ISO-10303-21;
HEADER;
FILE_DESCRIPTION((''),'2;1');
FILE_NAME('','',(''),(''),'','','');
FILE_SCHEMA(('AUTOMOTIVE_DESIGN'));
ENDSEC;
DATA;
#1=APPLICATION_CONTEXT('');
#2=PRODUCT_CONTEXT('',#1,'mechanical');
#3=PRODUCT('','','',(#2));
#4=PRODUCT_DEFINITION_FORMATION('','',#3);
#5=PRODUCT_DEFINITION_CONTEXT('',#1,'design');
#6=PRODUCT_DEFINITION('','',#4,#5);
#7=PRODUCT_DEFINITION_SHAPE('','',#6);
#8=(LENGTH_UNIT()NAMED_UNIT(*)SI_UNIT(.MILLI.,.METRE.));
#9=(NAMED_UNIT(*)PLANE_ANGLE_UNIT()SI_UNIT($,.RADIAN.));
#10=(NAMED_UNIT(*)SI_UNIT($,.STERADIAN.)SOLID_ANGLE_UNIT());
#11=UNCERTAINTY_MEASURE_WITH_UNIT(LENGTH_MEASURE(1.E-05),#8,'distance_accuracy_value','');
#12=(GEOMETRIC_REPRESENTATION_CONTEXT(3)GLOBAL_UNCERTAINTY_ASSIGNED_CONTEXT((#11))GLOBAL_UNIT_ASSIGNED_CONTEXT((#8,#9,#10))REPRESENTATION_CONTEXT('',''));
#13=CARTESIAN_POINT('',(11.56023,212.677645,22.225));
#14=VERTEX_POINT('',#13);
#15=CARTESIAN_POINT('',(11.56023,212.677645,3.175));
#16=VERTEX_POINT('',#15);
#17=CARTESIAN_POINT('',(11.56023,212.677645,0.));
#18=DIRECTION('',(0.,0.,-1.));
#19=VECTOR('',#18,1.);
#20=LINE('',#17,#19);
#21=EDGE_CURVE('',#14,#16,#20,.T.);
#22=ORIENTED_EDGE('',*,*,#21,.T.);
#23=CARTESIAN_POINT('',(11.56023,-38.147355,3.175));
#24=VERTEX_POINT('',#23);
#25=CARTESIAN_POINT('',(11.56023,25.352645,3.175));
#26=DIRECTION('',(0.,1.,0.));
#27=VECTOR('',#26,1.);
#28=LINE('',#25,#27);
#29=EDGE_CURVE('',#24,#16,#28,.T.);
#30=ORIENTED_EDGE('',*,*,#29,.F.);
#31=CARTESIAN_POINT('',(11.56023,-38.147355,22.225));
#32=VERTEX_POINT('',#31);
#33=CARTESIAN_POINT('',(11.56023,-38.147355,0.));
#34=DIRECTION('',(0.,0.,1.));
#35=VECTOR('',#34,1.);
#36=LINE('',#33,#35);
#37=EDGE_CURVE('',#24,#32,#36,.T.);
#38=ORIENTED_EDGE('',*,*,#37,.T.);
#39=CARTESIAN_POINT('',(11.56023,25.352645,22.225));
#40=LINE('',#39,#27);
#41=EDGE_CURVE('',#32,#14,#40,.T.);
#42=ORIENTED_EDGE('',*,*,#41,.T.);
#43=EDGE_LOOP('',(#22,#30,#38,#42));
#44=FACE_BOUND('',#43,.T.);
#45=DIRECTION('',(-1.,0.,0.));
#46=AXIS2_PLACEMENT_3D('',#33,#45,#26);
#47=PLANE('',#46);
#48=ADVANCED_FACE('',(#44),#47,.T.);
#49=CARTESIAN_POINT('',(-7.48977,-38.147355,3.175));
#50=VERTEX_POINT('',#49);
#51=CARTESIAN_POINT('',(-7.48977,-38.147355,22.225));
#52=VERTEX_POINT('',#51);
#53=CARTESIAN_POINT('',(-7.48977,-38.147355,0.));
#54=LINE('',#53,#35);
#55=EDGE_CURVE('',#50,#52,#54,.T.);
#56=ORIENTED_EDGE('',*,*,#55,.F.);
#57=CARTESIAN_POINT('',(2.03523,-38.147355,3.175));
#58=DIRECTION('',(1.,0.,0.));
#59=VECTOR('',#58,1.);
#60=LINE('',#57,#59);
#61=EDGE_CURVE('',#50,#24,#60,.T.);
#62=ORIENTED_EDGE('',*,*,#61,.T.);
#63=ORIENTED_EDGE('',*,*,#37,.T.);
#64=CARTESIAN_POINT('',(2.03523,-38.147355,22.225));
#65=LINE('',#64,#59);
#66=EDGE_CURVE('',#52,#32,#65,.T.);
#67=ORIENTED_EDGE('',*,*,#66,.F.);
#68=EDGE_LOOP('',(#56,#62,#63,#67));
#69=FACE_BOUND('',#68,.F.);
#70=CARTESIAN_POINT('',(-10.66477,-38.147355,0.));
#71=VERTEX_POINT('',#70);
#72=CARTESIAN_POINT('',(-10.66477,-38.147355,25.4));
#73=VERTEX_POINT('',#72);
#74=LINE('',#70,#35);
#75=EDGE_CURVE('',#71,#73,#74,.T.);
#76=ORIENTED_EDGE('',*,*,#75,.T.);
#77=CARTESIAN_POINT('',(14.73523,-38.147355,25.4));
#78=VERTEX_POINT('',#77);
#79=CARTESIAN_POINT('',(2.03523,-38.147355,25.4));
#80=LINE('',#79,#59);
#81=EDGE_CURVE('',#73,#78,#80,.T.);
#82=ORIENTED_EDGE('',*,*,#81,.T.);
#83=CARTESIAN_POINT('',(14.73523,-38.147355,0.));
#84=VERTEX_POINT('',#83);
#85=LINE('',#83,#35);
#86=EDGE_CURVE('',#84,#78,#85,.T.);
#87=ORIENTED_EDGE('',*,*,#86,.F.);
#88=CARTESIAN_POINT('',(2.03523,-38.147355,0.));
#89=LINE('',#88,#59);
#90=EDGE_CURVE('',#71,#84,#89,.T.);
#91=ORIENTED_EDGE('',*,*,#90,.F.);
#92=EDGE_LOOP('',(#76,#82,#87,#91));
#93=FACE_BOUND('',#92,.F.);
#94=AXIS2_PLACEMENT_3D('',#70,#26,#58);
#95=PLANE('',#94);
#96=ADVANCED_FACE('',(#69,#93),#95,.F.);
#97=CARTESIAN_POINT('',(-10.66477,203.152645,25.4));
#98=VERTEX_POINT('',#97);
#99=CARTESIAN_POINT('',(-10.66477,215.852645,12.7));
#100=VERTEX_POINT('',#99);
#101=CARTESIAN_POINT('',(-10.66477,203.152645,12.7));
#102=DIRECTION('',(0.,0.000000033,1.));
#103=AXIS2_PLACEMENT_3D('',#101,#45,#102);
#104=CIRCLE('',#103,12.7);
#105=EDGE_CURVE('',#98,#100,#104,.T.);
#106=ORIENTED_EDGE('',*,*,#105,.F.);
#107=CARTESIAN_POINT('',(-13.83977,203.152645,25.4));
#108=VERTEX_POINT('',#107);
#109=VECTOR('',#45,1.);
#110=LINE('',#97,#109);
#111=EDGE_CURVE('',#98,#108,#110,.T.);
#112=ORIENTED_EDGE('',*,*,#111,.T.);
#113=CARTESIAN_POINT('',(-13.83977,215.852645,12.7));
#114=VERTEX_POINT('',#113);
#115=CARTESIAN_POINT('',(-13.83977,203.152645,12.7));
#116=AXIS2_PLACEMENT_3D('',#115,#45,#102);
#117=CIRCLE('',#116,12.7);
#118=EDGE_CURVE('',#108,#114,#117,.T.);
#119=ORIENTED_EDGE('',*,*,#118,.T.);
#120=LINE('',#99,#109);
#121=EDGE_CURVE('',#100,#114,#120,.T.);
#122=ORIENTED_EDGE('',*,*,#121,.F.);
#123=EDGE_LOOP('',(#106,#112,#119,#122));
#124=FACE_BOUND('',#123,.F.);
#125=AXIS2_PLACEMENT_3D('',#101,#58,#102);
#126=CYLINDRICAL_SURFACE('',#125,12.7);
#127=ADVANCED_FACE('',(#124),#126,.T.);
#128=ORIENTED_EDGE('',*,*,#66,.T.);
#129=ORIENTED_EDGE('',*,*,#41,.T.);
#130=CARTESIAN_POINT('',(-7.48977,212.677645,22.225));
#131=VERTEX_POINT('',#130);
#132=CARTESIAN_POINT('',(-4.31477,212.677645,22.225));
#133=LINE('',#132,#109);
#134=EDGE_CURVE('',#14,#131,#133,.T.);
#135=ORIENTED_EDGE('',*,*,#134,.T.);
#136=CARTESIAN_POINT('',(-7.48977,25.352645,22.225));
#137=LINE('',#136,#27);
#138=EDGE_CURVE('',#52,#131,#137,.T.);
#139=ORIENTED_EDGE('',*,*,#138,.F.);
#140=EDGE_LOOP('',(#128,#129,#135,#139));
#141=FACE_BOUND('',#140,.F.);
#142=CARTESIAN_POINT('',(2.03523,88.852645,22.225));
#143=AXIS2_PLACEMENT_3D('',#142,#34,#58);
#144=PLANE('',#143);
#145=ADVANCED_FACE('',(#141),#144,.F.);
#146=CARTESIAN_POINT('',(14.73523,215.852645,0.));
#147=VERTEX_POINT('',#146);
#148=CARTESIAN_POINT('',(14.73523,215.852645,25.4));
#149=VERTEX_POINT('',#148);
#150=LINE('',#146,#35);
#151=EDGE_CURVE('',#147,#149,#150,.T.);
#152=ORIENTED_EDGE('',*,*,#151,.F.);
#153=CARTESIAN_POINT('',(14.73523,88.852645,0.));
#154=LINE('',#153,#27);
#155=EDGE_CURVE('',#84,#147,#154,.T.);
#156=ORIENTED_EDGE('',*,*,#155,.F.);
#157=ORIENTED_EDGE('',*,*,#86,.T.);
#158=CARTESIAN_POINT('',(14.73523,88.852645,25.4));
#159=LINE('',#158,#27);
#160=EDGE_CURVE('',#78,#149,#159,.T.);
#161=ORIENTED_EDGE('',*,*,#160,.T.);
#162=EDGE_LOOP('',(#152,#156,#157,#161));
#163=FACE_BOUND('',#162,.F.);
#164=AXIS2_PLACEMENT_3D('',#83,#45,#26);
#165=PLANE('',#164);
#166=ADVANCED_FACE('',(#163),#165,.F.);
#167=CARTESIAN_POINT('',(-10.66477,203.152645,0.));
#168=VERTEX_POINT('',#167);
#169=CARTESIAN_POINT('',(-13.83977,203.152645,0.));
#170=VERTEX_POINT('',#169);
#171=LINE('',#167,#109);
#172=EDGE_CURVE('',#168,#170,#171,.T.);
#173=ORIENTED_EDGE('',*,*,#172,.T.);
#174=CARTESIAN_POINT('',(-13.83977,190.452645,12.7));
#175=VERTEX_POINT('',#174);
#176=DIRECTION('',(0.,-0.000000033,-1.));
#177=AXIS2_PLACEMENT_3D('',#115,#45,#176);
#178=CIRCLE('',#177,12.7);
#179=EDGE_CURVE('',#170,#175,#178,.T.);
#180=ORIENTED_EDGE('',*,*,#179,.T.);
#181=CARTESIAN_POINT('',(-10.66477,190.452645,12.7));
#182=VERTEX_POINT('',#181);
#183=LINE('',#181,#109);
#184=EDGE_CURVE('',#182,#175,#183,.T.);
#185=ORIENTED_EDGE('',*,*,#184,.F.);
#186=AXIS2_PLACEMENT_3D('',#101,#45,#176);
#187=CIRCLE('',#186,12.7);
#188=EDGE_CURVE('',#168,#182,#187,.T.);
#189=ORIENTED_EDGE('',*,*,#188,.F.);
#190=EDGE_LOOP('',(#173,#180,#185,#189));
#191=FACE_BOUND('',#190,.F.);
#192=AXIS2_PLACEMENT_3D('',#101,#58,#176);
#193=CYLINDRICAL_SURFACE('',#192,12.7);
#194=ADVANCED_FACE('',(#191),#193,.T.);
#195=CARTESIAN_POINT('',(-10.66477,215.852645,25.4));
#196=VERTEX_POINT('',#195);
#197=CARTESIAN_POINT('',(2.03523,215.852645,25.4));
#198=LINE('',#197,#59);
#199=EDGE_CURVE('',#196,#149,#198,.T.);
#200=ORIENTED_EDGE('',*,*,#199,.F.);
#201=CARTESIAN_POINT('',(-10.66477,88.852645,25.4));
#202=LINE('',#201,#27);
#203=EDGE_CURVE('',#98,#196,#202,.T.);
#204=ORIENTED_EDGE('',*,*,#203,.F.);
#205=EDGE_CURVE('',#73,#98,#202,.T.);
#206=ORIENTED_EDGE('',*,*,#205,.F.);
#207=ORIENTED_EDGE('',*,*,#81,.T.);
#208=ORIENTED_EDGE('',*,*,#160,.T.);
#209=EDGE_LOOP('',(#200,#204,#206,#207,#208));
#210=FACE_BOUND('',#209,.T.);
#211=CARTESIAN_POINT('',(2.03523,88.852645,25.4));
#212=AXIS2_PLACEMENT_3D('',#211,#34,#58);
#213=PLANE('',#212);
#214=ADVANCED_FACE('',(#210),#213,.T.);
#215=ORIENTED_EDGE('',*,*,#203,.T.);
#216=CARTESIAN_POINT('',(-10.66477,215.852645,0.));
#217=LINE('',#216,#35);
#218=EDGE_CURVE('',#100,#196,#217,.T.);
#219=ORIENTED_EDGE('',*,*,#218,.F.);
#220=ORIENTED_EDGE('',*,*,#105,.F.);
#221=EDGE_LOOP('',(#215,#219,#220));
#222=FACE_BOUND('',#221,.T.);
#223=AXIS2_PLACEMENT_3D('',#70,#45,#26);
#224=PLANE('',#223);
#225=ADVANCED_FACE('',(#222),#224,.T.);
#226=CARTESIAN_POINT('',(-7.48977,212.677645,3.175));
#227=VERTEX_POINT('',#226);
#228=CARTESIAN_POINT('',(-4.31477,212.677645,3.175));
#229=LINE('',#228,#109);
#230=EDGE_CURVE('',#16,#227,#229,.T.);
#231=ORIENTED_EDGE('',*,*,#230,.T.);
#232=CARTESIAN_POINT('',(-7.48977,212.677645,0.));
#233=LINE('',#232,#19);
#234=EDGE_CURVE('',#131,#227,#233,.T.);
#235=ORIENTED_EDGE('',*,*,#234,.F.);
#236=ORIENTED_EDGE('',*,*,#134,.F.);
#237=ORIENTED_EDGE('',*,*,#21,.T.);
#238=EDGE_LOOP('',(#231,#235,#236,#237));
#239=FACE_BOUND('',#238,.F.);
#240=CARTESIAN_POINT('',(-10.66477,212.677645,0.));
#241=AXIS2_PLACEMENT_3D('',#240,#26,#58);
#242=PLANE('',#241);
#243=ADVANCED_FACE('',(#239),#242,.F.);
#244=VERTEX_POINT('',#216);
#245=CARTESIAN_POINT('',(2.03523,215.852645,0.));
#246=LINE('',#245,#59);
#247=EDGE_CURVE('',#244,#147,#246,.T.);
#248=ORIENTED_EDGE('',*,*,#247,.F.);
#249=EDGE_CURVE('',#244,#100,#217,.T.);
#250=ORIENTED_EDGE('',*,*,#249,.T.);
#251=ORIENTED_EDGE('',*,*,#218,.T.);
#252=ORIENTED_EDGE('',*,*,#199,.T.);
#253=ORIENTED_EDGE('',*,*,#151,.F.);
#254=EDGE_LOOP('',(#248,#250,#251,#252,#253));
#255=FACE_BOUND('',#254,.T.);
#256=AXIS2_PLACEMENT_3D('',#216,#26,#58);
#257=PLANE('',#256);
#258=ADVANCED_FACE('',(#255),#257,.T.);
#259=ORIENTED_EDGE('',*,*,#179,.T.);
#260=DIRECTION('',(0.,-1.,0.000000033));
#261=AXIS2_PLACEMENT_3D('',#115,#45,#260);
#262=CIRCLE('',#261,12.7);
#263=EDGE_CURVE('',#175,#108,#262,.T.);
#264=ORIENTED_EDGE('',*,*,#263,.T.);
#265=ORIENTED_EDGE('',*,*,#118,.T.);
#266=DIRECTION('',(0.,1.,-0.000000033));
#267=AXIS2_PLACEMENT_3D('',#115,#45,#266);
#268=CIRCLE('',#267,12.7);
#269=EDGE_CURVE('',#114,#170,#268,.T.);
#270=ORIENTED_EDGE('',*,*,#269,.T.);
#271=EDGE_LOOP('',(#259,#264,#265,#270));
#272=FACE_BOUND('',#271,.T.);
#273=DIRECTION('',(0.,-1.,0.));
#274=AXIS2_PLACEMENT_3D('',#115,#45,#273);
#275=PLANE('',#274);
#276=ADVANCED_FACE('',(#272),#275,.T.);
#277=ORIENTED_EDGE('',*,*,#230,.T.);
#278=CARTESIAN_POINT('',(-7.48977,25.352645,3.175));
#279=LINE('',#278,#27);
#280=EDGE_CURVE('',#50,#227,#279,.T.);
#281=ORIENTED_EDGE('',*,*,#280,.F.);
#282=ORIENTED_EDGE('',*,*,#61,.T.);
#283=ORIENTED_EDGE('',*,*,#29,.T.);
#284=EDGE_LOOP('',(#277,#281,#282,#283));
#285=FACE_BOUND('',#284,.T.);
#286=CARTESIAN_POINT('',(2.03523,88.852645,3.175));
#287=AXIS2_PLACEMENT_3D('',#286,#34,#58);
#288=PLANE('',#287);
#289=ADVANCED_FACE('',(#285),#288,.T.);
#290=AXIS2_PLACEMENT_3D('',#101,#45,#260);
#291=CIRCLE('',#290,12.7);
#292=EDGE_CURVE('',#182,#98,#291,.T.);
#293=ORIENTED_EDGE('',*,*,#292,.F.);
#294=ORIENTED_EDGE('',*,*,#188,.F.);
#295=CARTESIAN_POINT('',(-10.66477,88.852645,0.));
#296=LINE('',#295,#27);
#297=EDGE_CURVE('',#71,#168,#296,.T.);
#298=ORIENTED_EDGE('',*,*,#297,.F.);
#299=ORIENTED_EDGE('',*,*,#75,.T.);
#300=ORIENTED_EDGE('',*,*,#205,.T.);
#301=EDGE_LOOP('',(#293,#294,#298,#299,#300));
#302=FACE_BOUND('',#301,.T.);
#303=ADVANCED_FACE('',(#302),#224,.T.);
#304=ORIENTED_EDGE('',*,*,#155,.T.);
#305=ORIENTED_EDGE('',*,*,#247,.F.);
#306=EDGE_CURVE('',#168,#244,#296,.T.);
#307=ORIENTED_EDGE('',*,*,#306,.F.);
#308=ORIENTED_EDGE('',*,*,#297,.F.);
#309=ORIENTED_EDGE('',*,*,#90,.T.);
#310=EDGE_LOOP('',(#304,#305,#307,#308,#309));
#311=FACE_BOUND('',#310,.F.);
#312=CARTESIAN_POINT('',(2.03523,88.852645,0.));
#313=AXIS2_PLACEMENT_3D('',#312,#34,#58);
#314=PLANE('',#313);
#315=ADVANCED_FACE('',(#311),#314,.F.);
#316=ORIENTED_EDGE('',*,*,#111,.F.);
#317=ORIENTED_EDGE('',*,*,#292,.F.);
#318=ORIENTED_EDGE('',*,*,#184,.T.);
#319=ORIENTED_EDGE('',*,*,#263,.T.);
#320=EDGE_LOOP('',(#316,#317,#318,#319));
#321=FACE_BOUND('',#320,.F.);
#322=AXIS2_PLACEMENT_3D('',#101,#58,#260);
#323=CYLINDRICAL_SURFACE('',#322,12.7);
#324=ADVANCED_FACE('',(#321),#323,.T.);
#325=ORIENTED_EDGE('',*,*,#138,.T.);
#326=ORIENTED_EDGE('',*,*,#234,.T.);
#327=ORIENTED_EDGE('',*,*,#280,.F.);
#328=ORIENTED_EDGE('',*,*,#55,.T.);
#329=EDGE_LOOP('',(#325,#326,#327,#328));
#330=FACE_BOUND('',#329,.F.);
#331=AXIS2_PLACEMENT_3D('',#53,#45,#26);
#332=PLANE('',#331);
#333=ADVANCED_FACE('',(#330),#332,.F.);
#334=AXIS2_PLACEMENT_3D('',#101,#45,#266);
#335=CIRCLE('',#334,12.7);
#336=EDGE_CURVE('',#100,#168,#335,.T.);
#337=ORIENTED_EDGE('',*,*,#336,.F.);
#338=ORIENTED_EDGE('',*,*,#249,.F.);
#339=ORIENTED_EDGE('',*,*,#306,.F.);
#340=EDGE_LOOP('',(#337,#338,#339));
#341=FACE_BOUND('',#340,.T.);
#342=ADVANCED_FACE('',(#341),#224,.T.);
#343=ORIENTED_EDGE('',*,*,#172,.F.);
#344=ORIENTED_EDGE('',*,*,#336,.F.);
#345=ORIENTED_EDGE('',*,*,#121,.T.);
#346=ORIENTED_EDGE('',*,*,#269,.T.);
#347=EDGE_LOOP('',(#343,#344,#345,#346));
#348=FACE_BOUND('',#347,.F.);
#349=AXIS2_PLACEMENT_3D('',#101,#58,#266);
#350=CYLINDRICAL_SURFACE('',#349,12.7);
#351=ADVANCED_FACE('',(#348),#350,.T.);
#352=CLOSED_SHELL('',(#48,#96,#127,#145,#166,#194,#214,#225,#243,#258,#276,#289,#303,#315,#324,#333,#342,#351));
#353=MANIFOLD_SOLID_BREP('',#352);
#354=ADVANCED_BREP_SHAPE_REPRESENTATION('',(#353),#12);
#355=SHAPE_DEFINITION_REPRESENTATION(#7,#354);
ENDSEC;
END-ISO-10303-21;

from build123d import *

# Parameters (mm, degrees)
F0_W     = 25.4
F0_H     = 254
F1_DEPTH = 25.4
F2_T     = -3.175
F4_DEPTH = 3.175


with BuildPart() as f1:
    # F0 (on Top) → F1 (new body)
    with BuildSketch(Plane.XY):
        with Locations((2.03523, 88.852645)):
            Rectangle(F0_W, F0_H)
    extrude(amount=F1_DEPTH)

    # F2
    f2_openings = [f1.faces().sort_by_distance(p)[0] for p in [
        (2.03523, -38.147355, 12.7),
    ]]
    offset(amount=F2_T, openings=f2_openings)

    # F3 (on face) → F4 (join)
    with BuildSketch(Plane(origin=(-10.66477, 0, 0), x_dir=(0, -1, 0), z_dir=(-1, 0, 0))):
        with BuildLine():
            ThreePointArc((-203.152645, 0), (-194.172389, 3.719744), (-190.452645, 12.7))
            ThreePointArc((-190.452645, 12.7), (-194.172389, 21.680256), (-203.152645, 25.4))
            ThreePointArc((-203.152645, 25.4), (-212.132901, 21.680256), (-215.852645, 12.7))
            ThreePointArc((-215.852645, 12.7), (-212.132901, 3.719744), (-203.152645, 0))
        make_face()
    extrude(amount=F4_DEPTH)


solid = f1.part
